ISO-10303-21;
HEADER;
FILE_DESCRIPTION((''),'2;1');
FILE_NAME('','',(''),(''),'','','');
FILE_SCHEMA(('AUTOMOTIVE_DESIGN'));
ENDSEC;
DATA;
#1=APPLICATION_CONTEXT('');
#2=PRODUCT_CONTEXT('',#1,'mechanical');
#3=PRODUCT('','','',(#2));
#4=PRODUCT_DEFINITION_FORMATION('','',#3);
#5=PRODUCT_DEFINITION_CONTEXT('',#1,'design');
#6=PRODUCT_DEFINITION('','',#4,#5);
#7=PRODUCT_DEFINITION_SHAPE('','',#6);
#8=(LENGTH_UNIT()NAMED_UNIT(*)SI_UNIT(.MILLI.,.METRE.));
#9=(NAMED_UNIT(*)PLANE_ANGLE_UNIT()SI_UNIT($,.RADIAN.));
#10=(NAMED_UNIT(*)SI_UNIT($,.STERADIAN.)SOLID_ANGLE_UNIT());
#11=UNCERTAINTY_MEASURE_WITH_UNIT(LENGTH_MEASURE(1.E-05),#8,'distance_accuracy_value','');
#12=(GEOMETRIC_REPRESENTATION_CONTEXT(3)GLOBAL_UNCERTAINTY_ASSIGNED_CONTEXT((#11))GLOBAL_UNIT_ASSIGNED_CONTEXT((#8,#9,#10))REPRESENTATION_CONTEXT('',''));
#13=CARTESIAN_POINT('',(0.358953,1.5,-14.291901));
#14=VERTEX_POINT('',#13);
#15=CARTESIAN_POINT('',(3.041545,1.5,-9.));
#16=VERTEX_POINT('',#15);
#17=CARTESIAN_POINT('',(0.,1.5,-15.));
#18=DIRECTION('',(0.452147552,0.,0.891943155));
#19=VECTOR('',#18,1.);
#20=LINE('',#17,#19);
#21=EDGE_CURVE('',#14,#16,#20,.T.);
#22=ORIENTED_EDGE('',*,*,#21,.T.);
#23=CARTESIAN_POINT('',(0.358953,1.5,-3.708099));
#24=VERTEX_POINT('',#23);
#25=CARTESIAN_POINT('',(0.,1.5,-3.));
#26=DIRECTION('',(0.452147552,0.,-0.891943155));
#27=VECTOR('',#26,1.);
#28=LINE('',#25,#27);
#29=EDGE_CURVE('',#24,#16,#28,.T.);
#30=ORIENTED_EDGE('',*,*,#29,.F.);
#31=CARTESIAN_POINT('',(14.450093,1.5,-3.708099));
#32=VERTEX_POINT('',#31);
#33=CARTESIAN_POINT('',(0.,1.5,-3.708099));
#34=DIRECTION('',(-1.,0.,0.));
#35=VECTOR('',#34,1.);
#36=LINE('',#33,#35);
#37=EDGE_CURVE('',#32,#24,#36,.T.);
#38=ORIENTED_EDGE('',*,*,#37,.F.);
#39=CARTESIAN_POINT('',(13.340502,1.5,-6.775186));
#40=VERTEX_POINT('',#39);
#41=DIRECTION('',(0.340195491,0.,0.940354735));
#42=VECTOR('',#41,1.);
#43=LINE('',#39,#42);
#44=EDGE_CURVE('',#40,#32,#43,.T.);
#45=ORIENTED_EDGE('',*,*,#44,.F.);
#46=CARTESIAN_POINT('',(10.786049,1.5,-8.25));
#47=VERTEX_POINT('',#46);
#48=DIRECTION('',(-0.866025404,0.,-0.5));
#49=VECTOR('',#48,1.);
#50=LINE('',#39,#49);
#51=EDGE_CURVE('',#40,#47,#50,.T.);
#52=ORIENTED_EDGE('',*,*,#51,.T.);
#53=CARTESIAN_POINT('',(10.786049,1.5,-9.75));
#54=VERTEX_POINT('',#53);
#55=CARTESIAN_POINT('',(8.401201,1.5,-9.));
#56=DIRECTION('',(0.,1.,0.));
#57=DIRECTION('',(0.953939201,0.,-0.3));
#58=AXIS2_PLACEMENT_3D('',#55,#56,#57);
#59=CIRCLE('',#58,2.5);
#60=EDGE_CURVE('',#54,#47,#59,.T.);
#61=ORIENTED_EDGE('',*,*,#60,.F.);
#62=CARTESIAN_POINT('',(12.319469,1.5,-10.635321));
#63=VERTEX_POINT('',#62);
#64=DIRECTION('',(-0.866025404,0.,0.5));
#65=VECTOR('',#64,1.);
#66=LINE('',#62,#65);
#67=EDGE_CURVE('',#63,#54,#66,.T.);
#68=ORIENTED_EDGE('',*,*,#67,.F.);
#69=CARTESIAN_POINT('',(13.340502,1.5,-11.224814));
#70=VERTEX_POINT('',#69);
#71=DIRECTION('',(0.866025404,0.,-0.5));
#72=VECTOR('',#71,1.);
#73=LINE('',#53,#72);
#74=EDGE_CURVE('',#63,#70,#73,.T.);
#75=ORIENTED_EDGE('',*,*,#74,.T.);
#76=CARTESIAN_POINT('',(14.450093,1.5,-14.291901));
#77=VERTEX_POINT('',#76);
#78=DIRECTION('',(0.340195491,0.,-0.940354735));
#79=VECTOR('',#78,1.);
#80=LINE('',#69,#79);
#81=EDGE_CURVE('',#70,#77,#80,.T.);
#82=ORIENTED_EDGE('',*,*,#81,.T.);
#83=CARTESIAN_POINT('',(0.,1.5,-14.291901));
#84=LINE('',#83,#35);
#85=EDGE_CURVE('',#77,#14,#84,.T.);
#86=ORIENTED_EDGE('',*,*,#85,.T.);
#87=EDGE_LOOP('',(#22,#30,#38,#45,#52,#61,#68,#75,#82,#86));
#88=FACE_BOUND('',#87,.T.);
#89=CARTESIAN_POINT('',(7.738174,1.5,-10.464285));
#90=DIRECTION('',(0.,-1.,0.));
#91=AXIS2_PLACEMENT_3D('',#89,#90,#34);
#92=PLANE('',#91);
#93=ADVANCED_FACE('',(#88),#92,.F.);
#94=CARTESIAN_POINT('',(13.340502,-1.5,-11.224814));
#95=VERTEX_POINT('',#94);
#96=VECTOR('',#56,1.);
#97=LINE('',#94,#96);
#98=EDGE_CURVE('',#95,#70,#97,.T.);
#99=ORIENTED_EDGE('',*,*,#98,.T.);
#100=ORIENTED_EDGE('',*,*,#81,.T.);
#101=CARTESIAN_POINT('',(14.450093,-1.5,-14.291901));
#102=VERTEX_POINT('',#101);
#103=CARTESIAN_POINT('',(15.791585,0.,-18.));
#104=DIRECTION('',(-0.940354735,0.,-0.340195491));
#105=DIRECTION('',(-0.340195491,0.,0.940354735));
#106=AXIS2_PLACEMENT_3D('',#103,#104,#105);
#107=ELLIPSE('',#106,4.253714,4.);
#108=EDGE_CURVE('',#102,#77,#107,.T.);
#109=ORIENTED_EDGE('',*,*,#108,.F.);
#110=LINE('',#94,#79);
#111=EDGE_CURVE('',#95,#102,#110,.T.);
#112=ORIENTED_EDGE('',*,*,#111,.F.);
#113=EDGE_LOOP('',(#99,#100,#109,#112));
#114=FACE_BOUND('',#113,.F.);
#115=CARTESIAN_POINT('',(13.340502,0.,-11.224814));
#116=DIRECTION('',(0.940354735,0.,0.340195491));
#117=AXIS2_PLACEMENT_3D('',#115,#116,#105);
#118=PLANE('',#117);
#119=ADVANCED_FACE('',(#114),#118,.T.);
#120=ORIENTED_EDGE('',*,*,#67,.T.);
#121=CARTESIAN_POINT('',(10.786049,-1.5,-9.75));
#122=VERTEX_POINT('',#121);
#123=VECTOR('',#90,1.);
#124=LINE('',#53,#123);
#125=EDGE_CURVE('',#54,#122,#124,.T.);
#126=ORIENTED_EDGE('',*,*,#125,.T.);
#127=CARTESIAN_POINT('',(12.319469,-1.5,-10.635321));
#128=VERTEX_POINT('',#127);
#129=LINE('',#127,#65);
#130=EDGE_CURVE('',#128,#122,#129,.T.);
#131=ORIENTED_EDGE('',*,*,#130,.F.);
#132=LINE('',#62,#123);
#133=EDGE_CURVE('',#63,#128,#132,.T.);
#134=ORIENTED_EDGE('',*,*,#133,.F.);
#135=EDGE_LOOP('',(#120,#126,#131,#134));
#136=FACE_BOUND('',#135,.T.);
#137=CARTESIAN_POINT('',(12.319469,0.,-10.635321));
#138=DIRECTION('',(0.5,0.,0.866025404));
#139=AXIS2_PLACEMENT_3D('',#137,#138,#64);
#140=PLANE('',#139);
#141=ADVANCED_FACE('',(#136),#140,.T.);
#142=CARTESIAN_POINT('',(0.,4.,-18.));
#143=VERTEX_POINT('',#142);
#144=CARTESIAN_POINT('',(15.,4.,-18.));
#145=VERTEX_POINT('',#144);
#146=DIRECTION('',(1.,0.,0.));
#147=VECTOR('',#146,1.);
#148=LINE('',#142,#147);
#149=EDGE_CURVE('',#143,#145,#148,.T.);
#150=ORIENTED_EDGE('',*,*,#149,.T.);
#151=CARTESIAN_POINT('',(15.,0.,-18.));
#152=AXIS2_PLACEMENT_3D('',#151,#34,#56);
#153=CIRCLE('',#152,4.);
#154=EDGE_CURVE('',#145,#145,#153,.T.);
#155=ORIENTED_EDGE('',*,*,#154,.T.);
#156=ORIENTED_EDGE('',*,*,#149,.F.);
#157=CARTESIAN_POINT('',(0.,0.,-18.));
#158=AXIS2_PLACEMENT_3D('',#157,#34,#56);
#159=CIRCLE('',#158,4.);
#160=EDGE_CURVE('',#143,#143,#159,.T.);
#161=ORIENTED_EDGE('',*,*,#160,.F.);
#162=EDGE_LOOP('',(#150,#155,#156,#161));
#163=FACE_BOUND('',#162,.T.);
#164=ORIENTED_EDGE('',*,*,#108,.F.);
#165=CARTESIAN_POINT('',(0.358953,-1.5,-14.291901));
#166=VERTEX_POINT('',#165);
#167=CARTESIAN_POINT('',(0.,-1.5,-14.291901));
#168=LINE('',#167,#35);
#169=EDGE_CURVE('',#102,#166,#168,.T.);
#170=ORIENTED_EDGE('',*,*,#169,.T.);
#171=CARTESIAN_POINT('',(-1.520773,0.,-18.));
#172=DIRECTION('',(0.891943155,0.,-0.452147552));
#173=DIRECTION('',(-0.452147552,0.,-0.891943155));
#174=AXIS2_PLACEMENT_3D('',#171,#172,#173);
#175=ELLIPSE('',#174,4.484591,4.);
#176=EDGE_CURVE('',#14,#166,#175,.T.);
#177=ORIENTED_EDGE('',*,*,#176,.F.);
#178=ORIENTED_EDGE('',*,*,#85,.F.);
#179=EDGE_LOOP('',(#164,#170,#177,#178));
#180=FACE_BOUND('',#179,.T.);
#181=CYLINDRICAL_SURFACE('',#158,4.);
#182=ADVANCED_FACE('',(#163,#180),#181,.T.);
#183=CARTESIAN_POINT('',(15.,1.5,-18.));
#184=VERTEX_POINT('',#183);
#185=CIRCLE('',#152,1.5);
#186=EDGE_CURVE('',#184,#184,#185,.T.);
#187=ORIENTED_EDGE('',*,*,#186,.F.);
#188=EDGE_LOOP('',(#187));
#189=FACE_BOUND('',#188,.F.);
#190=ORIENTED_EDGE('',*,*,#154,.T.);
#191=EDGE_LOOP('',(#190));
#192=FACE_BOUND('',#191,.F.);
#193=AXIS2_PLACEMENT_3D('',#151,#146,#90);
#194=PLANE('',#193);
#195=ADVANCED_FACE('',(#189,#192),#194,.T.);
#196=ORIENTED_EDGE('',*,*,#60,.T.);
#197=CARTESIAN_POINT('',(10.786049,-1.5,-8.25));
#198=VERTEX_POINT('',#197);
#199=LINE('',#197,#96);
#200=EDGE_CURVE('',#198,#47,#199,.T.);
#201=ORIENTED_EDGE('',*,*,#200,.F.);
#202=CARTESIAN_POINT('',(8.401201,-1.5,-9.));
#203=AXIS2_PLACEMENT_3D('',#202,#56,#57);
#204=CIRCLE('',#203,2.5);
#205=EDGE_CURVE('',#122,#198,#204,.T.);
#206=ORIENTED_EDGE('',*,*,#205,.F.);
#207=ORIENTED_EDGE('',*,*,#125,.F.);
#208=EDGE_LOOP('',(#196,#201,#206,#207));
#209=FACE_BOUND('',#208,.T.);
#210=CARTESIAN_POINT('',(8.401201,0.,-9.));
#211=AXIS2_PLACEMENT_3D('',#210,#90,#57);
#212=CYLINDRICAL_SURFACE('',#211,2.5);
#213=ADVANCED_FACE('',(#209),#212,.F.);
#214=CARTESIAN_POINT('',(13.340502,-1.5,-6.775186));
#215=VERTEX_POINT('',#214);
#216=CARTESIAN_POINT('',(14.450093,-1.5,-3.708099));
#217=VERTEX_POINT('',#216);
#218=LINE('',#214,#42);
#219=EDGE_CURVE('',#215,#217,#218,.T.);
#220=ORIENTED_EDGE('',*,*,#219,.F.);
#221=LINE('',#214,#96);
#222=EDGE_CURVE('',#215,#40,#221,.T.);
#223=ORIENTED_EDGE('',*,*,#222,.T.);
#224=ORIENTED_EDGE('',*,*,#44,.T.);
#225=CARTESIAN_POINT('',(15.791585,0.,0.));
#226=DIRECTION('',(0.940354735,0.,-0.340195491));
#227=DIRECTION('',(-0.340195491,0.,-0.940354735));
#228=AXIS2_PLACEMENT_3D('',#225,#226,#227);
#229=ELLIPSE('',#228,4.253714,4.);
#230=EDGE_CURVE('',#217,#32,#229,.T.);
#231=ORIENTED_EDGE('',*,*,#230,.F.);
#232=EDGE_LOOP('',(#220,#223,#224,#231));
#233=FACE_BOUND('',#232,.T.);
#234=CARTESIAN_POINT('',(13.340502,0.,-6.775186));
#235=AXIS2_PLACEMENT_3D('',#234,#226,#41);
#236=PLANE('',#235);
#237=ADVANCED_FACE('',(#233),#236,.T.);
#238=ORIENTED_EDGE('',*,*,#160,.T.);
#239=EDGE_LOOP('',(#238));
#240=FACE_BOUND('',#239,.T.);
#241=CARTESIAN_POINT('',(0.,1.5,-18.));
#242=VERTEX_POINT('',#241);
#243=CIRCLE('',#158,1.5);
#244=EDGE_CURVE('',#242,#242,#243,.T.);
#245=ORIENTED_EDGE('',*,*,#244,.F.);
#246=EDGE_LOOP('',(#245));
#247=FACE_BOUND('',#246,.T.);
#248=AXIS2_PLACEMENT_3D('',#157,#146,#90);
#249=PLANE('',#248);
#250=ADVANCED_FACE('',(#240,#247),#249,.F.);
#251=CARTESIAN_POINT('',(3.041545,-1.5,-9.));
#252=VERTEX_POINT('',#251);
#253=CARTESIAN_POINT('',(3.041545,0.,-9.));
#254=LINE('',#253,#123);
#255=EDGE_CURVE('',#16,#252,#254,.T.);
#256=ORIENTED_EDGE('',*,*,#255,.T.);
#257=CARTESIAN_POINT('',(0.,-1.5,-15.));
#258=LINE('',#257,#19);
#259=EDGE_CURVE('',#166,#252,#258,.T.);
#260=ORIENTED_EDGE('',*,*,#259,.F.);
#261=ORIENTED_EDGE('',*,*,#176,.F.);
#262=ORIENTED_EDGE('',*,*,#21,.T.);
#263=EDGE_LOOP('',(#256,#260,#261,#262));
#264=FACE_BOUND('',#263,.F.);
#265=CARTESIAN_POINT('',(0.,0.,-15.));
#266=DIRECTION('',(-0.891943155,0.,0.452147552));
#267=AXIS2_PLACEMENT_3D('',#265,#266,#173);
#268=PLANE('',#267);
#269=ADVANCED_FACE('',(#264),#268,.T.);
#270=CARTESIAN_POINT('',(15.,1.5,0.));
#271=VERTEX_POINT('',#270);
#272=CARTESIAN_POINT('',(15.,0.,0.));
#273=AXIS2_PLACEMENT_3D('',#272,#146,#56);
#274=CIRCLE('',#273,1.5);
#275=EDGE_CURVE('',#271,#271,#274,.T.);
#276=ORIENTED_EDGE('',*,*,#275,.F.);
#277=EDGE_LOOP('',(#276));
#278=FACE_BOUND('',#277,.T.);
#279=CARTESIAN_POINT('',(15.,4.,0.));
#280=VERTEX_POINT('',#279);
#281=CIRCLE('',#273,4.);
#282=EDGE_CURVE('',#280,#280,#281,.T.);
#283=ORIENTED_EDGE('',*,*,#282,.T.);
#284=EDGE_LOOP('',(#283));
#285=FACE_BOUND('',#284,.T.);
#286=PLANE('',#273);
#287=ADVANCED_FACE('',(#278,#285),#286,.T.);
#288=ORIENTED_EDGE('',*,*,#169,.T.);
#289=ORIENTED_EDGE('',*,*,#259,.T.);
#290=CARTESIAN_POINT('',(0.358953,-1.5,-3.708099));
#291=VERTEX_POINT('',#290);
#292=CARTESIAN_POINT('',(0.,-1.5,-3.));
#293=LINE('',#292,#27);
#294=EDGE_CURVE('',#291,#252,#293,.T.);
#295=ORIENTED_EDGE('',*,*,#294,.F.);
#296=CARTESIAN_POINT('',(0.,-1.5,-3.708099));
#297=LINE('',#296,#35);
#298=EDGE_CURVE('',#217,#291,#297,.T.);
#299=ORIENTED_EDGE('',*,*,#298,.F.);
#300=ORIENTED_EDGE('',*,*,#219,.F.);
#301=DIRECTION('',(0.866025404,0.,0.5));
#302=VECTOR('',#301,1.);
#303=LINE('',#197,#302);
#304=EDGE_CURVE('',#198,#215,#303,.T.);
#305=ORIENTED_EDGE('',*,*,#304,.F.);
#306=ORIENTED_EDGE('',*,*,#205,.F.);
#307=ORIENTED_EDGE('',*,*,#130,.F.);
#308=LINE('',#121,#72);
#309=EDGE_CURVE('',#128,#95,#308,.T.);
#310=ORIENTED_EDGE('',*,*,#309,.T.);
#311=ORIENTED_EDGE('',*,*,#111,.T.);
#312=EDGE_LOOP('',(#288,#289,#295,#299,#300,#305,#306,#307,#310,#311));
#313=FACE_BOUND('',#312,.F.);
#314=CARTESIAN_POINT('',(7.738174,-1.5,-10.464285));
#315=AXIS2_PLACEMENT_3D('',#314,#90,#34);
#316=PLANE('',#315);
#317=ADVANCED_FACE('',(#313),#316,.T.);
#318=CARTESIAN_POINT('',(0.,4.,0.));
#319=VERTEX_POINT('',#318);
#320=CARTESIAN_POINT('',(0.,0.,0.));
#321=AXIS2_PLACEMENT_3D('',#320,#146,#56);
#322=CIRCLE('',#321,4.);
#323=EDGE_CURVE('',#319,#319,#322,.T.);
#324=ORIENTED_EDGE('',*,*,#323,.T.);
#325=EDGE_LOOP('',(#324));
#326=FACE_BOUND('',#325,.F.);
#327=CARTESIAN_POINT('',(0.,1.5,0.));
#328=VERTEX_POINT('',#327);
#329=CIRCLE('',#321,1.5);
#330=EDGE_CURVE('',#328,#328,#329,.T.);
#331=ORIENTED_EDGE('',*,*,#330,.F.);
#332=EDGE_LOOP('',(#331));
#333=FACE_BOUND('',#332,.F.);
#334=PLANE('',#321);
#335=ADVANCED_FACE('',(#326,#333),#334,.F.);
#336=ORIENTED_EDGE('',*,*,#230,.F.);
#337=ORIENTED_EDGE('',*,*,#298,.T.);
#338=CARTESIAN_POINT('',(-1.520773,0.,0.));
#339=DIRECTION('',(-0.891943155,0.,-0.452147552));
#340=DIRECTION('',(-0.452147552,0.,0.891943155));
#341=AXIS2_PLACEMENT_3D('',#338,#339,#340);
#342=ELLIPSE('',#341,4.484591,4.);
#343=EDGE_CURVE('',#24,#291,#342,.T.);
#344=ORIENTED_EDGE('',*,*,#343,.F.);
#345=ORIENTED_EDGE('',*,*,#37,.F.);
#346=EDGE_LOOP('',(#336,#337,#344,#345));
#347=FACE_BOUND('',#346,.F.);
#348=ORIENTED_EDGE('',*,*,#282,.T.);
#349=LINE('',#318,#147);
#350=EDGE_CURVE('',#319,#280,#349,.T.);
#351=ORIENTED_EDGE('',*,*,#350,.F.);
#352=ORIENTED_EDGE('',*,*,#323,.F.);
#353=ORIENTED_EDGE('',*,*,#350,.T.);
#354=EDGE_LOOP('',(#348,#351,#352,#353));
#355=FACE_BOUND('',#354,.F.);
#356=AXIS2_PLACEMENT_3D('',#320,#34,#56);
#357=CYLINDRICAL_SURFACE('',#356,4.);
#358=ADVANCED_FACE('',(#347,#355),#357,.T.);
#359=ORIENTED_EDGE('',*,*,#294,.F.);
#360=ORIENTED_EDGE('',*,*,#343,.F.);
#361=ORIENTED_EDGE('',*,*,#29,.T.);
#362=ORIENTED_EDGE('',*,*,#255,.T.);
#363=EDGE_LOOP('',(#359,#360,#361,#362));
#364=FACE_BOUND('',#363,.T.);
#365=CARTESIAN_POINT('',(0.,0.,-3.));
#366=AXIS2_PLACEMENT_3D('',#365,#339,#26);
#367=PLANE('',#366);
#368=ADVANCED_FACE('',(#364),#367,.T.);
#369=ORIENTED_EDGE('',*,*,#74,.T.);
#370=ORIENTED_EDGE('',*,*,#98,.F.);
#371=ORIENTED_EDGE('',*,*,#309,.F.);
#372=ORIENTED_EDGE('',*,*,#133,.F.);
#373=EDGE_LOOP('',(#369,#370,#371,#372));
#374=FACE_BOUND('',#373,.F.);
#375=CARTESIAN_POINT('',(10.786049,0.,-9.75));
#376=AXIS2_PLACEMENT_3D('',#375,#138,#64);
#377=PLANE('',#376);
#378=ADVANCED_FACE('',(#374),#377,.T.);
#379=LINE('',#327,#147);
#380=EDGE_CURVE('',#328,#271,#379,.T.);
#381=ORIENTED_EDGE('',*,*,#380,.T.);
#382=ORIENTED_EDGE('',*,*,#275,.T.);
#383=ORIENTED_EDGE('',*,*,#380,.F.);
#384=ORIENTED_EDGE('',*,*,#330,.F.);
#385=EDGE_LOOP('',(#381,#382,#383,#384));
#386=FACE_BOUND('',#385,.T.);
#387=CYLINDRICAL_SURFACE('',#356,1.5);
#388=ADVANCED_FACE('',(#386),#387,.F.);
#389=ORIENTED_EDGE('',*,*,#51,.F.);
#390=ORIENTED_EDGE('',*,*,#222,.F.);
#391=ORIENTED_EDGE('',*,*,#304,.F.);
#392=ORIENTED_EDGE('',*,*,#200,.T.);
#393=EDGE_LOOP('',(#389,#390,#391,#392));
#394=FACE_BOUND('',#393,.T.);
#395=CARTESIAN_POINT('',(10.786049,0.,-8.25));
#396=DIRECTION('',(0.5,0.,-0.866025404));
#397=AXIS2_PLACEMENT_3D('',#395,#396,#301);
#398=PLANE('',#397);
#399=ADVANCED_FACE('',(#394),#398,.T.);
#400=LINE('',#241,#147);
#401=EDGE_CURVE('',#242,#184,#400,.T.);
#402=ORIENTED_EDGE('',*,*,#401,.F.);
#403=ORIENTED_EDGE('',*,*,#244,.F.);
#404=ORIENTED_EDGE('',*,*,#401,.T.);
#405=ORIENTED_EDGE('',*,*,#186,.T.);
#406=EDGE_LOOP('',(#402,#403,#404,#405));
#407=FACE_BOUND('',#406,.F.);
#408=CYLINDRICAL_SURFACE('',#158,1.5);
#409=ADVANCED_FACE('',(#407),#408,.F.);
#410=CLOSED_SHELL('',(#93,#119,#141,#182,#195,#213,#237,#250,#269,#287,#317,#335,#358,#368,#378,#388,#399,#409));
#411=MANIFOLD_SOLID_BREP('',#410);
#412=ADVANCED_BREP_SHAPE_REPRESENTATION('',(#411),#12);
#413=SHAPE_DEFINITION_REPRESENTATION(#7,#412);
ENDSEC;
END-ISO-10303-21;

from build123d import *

# Parameters (mm, degrees)
F0_R     = 4
F0_R_2   = 1.5
F1_DEPTH = 15
F3_DEPTH = 1.5


with BuildPart() as f1:
    # F0 (on Right) → F1 (new body)
    with BuildSketch(Plane.YZ):
        Circle(F0_R)
        Circle(F0_R_2, mode=Mode.SUBTRACT)
    extrude(amount=F1_DEPTH)

    # F2 (on Front) → F3 (join, symmetric)
    with BuildSketch(Plane.XZ):
        with BuildLine():
            Line((14.70626425, -3), (0, -3))
            Line((0, -3), (4.5474985961, -11.9707668002))
            ThreePointArc((4.5474985961, -11.9707668002), (8.9263863781, -14.1716151823), (12.3194694103, -10.6353206038))
            Line((12.3194694103, -10.6353206038), (10.7860491436, -9.75))
            ThreePointArc((10.7860491436, -9.75), (5.90120114, -9), (10.7860491436, -8.25))
            Line((10.7860491436, -8.25), (13.3405016736, -6.7751861441))
            Line((13.3405016736, -6.7751861441), (14.70626425, -3))
        make_face()
    extrude(amount=F3_DEPTH, both=True)

    # F5: F1 across plane


with BuildPart() as f1_1:
    add(f1.part)
    add(f1.part.mirror(Plane.XY.offset(-9)))


solid = f1_1.part
